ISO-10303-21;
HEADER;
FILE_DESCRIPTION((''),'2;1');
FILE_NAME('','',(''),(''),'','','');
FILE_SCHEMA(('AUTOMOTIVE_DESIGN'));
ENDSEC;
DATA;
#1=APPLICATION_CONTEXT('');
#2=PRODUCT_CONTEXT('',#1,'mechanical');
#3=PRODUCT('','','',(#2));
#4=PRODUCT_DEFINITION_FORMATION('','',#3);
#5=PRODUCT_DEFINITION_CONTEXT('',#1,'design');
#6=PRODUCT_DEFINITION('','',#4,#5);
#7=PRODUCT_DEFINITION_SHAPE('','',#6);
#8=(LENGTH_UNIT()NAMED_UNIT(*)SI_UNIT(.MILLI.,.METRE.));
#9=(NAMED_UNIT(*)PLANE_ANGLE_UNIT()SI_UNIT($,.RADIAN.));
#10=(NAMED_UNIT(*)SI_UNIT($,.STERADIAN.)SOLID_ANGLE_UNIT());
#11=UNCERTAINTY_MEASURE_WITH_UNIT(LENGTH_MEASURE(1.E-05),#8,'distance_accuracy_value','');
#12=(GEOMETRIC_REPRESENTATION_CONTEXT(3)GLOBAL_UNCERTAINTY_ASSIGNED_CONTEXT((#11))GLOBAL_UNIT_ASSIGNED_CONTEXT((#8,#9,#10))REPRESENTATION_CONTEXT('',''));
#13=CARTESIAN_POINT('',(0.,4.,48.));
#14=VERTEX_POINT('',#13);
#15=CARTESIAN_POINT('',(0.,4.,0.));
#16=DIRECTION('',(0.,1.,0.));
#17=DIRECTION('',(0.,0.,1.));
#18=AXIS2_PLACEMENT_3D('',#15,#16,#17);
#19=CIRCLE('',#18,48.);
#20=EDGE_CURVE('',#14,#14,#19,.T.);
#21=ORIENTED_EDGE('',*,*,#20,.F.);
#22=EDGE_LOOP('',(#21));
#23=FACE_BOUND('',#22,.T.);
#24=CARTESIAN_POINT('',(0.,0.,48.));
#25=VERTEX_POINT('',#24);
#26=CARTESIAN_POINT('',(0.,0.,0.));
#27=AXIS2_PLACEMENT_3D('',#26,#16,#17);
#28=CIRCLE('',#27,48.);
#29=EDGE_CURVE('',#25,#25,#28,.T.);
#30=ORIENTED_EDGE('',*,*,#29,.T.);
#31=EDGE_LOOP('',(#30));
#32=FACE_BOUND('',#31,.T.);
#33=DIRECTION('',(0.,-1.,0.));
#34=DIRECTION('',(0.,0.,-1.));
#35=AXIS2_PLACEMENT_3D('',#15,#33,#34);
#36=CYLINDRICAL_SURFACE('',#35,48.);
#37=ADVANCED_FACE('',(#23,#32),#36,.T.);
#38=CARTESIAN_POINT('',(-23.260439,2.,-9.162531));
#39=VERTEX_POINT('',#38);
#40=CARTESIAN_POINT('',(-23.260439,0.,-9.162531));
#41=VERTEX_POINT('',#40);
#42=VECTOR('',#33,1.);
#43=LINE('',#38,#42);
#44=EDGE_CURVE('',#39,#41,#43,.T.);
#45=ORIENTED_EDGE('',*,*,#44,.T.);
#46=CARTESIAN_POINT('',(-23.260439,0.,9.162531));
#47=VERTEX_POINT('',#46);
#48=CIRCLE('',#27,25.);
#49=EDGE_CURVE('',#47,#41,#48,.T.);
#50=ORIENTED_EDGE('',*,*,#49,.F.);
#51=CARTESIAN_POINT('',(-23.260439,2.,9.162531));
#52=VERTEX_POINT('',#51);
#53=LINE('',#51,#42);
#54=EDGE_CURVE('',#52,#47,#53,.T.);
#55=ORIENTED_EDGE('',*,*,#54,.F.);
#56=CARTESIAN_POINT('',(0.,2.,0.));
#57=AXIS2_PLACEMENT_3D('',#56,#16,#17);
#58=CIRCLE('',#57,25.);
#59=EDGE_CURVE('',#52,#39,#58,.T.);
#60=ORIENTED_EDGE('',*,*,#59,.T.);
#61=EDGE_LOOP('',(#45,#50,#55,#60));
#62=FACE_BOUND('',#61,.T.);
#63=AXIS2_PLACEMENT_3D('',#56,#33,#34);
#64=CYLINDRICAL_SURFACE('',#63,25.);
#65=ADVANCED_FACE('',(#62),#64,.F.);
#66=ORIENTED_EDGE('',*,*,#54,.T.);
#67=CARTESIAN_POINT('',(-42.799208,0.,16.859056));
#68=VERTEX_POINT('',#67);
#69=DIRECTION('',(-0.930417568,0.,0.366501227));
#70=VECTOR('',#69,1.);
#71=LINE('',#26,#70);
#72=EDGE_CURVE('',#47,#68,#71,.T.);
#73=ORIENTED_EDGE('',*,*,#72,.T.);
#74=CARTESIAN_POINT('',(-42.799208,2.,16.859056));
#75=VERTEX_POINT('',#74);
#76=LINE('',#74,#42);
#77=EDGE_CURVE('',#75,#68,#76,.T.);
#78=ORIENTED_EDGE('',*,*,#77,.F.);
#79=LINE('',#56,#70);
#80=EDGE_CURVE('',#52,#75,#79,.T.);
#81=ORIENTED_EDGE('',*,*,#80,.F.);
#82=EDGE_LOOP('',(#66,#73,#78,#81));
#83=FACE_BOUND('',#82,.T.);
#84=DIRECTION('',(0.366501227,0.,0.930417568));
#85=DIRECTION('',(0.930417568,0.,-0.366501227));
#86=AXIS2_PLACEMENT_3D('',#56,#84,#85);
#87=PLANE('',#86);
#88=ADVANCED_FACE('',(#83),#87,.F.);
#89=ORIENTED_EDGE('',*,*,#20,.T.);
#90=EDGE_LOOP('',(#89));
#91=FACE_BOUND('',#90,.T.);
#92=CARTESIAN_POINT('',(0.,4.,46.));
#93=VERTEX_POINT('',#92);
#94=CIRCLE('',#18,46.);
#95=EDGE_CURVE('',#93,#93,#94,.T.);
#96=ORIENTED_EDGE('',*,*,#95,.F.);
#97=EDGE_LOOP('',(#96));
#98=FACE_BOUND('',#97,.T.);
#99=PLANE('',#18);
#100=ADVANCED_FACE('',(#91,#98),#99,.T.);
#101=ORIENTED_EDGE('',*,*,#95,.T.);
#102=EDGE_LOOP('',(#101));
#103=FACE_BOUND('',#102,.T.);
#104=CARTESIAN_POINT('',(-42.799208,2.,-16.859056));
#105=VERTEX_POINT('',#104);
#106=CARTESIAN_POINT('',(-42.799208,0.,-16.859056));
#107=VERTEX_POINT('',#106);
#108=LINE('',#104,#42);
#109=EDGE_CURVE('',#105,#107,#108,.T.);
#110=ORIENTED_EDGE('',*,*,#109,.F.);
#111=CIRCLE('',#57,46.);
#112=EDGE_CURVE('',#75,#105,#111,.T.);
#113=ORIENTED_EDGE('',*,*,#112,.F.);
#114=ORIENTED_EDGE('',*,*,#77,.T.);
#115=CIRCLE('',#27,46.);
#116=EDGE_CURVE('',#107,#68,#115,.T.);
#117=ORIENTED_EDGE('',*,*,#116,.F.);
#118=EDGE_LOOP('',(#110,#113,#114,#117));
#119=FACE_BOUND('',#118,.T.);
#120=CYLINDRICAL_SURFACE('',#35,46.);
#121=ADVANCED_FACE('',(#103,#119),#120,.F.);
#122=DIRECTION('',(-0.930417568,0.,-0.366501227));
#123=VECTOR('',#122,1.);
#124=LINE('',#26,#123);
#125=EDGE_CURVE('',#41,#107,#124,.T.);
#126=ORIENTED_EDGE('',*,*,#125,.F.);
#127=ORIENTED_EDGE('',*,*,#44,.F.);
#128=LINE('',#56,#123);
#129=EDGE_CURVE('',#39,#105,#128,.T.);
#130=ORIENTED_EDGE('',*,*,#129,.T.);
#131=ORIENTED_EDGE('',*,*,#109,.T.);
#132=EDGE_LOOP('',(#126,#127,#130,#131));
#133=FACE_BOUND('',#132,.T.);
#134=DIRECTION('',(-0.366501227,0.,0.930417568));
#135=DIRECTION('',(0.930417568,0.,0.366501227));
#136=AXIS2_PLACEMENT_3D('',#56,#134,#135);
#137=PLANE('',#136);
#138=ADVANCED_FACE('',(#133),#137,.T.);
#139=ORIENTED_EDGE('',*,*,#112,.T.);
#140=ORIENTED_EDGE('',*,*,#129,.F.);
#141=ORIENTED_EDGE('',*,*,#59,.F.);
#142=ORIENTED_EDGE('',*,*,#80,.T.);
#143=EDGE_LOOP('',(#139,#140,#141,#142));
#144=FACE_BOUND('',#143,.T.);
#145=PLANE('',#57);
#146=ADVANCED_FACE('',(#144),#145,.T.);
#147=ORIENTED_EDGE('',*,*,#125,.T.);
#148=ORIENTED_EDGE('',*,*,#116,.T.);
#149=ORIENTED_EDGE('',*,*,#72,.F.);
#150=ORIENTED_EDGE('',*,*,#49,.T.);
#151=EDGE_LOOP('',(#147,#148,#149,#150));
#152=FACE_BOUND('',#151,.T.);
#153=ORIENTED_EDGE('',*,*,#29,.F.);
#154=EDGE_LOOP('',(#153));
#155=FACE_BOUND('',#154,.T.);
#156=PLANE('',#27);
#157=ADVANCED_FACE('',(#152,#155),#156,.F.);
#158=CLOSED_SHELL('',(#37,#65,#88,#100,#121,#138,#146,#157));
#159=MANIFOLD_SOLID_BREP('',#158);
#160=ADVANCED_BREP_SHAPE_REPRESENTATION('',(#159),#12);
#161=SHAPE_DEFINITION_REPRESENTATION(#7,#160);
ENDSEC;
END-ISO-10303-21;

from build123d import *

# Parameters (mm, degrees)
SKETCH1_R           = 48
BOSS_EXTRUDE1_DEPTH = 4
BOSS_EXTRUDE2_DEPTH = 2


with BuildPart() as part:
    # Sketch1 → Boss-Extrude1 (new body)
    with BuildSketch(Plane(origin=(0, 0, 0), x_dir=(1, 0, 0), z_dir=(0, 1, 0))):
        Circle(SKETCH1_R)
        with BuildLine():
            ThreePointArc((46, 0), (8.580105656, -45.192718295), (-42.799208127, -16.859056429))
            ThreePointArc((-42.799208127, -16.859056429), (-46, 0), (-42.799208127, 16.859056429))
            ThreePointArc((-42.799208127, 16.859056429), (8.580105656, 45.192718295), (46, 0))
        make_face(mode=Mode.SUBTRACT)
    extrude(amount=BOSS_EXTRUDE1_DEPTH)

    # Sketch1<3> → Boss-Extrude2 (add)
    with BuildSketch(Plane(origin=(0, 0, 0), x_dir=(1, 0, 0), z_dir=(0, 1, 0))):
        with BuildLine():
            ThreePointArc((25, 0), (4.6631009, -24.561259943), (-23.2604392, -9.162530668))
            Line((-23.2604392, -9.162530668), (-42.799208127, -16.859056429))
            ThreePointArc((-42.799208127, -16.859056429), (8.580105656, -45.192718295), (46, 0))
            ThreePointArc((46, 0), (8.580105656, 45.192718295), (-42.799208127, 16.859056429))
            Line((-42.799208127, 16.859056429), (-23.2604392, 9.162530668))
            ThreePointArc((-23.2604392, 9.162530668), (4.6631009, 24.561259943), (25, 0))
        make_face()
    extrude(amount=BOSS_EXTRUDE2_DEPTH)


solid = part.part
